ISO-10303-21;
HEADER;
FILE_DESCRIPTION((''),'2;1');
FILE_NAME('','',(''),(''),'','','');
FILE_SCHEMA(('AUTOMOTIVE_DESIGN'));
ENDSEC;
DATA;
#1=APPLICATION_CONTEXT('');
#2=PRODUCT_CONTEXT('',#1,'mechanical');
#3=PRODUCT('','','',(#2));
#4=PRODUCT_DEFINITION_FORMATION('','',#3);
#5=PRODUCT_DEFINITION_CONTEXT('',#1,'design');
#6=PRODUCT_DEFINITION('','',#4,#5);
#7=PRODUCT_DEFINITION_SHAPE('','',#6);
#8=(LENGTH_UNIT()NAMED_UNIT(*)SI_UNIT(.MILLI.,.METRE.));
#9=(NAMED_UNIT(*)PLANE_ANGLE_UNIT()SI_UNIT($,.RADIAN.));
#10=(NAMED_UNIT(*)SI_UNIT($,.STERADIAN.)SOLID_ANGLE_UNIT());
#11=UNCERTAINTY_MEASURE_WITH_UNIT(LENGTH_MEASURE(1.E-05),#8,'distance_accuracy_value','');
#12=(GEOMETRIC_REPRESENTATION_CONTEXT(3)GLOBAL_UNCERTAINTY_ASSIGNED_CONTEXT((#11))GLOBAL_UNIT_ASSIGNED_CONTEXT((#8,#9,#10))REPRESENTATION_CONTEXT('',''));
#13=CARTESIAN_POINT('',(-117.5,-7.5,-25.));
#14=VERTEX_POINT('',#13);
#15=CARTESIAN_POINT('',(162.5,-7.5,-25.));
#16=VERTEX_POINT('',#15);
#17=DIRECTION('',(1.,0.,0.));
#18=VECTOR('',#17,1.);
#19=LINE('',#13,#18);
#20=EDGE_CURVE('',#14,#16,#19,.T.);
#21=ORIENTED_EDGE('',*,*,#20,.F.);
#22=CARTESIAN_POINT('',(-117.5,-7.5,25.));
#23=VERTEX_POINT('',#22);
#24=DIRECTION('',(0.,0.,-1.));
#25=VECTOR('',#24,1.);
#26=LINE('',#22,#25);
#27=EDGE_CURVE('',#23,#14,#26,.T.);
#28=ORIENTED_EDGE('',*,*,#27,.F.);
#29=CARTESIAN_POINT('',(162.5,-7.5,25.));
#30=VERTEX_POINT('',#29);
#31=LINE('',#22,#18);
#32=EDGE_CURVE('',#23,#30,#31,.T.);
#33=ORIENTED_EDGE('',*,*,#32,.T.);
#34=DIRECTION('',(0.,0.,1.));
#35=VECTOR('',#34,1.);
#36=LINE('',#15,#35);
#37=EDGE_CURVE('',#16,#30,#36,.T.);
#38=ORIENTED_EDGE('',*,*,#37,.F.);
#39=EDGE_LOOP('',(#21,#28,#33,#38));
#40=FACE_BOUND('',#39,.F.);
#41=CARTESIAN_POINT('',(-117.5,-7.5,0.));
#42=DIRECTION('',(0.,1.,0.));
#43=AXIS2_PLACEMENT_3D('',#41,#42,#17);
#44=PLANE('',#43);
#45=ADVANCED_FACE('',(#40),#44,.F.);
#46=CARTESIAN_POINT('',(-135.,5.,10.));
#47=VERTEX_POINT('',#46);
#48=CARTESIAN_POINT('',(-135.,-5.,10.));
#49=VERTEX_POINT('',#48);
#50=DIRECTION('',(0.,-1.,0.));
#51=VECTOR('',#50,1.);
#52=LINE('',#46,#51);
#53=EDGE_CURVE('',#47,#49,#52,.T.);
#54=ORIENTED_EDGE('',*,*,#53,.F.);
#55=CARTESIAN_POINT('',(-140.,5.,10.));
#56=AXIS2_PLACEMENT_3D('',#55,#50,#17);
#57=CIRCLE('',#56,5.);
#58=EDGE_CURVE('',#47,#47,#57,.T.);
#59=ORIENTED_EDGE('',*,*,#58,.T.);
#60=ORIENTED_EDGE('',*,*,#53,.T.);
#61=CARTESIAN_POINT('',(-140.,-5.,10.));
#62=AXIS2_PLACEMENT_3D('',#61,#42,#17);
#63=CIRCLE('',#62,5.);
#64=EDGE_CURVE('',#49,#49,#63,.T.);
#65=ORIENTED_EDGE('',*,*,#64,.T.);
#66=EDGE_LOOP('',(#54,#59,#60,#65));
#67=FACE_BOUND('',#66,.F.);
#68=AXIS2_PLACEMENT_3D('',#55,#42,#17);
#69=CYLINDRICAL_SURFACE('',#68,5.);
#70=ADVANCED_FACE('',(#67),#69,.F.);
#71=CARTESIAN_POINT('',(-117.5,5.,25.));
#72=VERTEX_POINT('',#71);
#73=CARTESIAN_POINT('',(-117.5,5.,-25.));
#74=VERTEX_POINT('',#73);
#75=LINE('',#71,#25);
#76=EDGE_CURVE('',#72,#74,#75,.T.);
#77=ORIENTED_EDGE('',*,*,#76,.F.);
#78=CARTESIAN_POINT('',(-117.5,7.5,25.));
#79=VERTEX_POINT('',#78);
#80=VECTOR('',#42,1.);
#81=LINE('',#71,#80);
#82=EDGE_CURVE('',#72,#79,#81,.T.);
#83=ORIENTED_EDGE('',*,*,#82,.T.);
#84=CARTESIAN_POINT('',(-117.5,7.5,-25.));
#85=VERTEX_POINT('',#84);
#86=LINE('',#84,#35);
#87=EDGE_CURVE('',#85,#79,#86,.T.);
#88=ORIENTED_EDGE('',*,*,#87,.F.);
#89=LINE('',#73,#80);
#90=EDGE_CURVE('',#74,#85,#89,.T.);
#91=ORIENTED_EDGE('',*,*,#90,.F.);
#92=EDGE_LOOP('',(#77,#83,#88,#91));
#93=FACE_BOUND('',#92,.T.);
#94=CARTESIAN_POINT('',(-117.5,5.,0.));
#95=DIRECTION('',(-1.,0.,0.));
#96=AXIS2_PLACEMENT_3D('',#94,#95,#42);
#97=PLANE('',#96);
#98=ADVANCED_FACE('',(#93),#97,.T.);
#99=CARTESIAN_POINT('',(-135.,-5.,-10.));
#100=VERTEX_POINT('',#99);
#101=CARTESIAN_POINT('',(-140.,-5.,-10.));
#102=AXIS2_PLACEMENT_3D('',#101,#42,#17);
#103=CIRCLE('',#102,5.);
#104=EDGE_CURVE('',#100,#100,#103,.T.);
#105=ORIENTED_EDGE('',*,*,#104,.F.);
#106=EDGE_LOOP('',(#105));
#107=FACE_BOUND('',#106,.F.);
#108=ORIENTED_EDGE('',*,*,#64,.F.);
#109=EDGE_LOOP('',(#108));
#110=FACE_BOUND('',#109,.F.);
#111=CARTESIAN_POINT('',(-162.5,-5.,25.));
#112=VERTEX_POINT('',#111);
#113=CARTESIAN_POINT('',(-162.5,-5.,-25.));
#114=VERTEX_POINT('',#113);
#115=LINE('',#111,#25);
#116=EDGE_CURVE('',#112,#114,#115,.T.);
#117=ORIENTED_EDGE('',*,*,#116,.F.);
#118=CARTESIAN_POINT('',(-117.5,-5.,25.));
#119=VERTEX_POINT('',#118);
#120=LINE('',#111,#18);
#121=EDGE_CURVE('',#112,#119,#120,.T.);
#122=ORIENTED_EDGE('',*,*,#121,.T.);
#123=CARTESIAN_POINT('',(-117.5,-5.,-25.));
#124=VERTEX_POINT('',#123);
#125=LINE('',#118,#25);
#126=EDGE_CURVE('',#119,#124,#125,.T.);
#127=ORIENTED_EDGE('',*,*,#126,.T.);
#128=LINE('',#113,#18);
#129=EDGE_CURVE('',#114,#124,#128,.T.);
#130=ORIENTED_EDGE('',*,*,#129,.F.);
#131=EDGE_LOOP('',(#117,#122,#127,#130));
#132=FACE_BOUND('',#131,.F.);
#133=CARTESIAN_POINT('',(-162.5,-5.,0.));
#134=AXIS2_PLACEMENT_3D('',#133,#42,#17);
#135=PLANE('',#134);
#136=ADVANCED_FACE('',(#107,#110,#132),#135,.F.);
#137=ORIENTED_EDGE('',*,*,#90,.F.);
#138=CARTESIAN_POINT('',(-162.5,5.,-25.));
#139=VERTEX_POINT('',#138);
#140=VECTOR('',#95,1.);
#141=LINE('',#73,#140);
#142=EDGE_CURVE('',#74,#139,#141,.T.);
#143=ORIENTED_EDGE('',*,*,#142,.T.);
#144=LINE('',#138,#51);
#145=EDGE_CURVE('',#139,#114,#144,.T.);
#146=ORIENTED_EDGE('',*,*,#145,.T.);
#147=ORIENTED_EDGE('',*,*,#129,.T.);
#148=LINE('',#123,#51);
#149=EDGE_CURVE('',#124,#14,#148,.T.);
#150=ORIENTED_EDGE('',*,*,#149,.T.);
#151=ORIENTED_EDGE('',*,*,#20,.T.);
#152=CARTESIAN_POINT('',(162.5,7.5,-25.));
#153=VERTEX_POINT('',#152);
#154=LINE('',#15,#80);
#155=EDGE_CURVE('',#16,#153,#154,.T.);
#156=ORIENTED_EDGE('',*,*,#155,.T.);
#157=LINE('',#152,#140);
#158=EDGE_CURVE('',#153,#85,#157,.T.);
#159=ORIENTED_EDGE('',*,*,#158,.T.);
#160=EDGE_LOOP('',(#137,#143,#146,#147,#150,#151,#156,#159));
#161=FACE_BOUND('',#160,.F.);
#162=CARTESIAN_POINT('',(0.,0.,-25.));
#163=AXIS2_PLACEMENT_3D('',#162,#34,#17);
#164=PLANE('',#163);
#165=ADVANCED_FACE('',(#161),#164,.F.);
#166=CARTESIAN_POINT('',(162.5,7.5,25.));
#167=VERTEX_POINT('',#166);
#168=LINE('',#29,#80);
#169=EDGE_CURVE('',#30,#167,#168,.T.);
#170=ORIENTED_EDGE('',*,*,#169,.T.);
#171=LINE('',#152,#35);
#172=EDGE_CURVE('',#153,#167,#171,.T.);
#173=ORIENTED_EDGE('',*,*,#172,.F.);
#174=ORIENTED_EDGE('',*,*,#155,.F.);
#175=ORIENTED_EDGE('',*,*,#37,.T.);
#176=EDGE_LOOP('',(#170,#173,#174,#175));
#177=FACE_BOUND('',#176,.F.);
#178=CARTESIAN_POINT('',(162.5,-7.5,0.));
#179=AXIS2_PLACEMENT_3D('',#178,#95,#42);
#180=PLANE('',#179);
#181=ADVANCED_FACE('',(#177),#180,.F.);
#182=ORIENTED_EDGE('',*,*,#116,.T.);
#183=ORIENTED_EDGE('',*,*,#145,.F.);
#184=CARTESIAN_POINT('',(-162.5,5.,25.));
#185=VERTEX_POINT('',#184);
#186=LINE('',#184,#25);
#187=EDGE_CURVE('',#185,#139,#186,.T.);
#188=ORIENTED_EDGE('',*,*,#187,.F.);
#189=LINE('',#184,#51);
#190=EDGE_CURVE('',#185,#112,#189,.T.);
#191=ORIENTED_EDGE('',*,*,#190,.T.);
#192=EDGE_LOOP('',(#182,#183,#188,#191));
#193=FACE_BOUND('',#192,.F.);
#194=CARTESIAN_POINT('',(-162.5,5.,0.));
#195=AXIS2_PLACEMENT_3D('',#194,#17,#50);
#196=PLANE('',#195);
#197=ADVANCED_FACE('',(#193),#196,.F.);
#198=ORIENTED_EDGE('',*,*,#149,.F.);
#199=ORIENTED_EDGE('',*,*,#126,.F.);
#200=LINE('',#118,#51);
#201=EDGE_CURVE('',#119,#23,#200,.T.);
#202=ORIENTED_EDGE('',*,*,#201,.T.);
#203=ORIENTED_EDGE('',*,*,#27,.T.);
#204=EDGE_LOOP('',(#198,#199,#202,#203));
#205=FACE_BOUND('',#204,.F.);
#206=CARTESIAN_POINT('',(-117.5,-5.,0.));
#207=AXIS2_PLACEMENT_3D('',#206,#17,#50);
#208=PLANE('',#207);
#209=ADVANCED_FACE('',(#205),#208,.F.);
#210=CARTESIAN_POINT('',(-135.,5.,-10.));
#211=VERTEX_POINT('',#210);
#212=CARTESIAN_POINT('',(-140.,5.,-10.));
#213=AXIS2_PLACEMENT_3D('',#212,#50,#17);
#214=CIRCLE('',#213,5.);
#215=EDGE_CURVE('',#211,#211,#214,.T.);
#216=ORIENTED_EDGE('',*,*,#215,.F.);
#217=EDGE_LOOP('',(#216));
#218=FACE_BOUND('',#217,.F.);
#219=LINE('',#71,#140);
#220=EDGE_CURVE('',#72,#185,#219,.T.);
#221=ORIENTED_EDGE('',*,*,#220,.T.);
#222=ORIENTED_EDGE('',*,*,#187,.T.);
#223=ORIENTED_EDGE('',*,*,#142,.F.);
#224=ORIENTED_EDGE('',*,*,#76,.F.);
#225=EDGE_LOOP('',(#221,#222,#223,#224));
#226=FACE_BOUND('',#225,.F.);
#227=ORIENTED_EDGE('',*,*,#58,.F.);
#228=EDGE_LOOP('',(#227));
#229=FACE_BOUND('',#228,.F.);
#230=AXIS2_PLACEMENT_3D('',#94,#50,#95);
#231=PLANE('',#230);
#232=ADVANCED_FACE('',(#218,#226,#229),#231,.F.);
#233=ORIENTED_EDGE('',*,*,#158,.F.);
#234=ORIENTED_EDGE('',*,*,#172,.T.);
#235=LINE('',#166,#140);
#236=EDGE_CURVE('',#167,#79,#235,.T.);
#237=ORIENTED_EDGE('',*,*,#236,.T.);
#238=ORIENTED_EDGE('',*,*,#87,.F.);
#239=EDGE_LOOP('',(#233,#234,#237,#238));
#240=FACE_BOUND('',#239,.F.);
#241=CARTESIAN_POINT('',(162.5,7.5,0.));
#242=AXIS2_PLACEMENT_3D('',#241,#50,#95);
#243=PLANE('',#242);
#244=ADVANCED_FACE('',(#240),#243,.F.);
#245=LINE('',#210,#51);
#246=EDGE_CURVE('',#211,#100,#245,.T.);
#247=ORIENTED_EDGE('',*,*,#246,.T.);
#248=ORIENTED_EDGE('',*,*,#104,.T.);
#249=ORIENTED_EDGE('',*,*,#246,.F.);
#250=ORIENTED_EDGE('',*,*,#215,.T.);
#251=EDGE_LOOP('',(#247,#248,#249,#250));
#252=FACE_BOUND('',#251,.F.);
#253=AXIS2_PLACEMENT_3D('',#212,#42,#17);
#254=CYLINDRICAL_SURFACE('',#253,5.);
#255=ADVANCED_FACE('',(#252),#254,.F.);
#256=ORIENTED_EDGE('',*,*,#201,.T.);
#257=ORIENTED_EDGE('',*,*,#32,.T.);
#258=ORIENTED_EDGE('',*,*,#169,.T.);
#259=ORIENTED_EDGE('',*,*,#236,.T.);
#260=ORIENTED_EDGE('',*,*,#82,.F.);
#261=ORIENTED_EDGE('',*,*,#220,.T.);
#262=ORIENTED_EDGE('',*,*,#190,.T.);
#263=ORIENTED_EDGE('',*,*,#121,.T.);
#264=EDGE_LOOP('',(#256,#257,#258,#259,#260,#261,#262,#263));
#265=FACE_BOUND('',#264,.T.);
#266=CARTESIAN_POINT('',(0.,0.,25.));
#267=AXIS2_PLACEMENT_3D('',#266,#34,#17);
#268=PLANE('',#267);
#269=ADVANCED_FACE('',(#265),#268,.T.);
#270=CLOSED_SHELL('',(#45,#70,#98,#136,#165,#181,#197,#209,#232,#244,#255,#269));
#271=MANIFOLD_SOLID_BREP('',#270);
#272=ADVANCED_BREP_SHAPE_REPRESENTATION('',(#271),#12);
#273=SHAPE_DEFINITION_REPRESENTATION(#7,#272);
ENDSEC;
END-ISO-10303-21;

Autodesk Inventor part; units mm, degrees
ref_plane "YZ Plane" through (0, 0, 0) normal (1, 0, 0) x (0, 1, 0)
ref_plane "XZ Plane" through (0, 0, 0) normal (0, 1, 0) x (-1, 0, 0)
ref_plane "XY Plane" through (0, 0, 0) normal (0, 0, 1) x (1, 0, 0)
sketch "Esboço1" plane through (0, 0, 0) normal (0, 0, 1) x (1, 0, 0)
  line L0 (-162.5, -7.5) -> (-117.5, -7.5) construction
  line L1 (162.5, -7.5) -> (162.5, 7.5)
  line L2 (162.5, 7.5) -> (-117.5, 7.5)
  line L3 (-162.5, 7.5) -> (-162.5, 5) construction
  line L4 (-162.5, -7.5) -> (162.5, 7.5) construction
  line L5 (162.5, -7.5) -> (-162.5, 7.5) construction
  line L6 (-162.5, -5) -> (-117.5, -5)
  line L7 (-117.5, 5) -> (-162.5, 5)
  line L8 (-117.5, 5) -> (-117.5, 7.5)
  line L9 (-117.5, -5) -> (-117.5, -7.5)
  line L10 (-117.5, 5) -> (-117.5, -5) construction
  line L11 (-117.5, 0) -> (0, 0) construction
  line L12 (-162.5, 5) -> (-162.5, -5)
  line L13 (-162.5, -5) -> (-162.5, -7.5) construction
  line L14 (-117.5, -7.5) -> (162.5, -7.5)
  line L15 (-117.5, 7.5) -> (-162.5, 7.5) construction
  dimension "d0" = 325
  dimension "d1" = 15
  dimension "d2" = 10
  dimension "d3" = 45
extrude "Extrusão1" add sketch "Esboço1" along normal mid plane 50
sketch "Esboço2" plane through (-162.5, 5, 25) normal (0, 1, 0) x (1, 0, 0)
  line L0 (0, 0) -> (0, 50) projected
  line L1 (45, 50) -> (45, 0) projected
  circle A0 centre (22.5, 35) radius 5
  circle A1 centre (22.5, 15) radius 5
  line L2 (22.5, 15) -> (22.5, 35)
  line L3 (0, 50) -> (45, 50) projected
  line L4 (22.5, 50) -> (22.5, 74.6859)
  line L5 (22.5, 25) -> (-20.9828, 25) construction
  line L6 (0, 25) -> (-37.1648, 25) construction
  point P0 (162.5, 25)
  dimension "d14" = 10
  dimension "d15" = 10
  dimension "d16" = 20
extrude "Extrusão2" cut sketch "Esboço2" against normal up to surface (10 mm away)
sketch "ref. Motor" plane through (-117.5, -7.5, 25) normal (0, -1, 0) x (1, 0, 0)
  line L0 (280, -50) -> (280, 0) projected
  line L1 (280, -25) -> (270, -25) construction
  line L2 (270, -25) -> (270, 54.6764) construction
  point P0 (117.5, -25)
  dimension "d13" = 10
equation "\"d15\" = d14"
properties part number "Pás - Hastes"
